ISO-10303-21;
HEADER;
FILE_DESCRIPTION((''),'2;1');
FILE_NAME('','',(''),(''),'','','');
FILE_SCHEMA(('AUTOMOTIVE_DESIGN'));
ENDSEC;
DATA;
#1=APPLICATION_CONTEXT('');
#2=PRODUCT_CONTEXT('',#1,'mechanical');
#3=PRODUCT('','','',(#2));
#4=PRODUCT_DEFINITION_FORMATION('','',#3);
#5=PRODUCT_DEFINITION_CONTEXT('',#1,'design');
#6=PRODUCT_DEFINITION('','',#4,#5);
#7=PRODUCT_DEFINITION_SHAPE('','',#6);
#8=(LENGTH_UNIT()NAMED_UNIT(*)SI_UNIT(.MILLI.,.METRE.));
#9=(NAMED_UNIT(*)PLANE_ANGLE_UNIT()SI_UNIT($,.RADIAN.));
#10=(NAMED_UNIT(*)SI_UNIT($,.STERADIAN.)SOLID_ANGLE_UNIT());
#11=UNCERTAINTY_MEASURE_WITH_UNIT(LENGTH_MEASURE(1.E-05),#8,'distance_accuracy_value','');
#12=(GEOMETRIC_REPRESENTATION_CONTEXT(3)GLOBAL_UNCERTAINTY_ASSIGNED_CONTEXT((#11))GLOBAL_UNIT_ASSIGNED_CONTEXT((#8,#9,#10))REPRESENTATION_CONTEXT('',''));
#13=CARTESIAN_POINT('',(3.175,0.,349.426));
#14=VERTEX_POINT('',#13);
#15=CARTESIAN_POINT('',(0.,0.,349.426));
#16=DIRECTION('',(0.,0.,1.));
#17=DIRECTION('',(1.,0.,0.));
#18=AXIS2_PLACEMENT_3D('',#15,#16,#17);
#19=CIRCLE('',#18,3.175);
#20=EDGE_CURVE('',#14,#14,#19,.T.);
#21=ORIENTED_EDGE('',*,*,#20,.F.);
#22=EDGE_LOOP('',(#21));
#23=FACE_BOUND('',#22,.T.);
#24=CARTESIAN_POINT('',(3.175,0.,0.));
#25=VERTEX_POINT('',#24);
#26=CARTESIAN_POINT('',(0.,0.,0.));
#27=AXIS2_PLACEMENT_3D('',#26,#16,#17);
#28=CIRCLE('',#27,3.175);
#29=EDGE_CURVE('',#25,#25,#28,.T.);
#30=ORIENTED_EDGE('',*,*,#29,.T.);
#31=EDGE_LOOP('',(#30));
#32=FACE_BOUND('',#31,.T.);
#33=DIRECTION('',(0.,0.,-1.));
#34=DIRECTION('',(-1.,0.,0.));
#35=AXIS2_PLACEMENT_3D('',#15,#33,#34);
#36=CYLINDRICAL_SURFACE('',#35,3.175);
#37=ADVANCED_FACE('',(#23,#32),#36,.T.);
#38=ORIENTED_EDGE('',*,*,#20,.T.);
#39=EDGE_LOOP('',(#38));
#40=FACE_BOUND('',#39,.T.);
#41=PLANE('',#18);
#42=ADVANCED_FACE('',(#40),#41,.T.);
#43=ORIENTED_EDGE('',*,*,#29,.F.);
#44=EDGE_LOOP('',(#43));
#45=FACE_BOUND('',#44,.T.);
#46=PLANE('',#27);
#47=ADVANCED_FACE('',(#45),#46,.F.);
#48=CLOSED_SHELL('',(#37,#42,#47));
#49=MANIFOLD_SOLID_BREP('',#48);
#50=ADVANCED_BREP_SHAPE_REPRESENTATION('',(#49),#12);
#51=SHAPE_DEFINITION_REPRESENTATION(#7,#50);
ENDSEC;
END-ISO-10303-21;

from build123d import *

# Parameters (mm, degrees)
SKETCH1_R           = 3.175
BOSS_EXTRUDE1_DEPTH = 349.425999902


with BuildPart() as part:
    # Sketch1 → Boss-Extrude1 (new body)
    with BuildSketch(Plane.XY):
        Circle(SKETCH1_R)
    extrude(amount=BOSS_EXTRUDE1_DEPTH)


solid = part.part
